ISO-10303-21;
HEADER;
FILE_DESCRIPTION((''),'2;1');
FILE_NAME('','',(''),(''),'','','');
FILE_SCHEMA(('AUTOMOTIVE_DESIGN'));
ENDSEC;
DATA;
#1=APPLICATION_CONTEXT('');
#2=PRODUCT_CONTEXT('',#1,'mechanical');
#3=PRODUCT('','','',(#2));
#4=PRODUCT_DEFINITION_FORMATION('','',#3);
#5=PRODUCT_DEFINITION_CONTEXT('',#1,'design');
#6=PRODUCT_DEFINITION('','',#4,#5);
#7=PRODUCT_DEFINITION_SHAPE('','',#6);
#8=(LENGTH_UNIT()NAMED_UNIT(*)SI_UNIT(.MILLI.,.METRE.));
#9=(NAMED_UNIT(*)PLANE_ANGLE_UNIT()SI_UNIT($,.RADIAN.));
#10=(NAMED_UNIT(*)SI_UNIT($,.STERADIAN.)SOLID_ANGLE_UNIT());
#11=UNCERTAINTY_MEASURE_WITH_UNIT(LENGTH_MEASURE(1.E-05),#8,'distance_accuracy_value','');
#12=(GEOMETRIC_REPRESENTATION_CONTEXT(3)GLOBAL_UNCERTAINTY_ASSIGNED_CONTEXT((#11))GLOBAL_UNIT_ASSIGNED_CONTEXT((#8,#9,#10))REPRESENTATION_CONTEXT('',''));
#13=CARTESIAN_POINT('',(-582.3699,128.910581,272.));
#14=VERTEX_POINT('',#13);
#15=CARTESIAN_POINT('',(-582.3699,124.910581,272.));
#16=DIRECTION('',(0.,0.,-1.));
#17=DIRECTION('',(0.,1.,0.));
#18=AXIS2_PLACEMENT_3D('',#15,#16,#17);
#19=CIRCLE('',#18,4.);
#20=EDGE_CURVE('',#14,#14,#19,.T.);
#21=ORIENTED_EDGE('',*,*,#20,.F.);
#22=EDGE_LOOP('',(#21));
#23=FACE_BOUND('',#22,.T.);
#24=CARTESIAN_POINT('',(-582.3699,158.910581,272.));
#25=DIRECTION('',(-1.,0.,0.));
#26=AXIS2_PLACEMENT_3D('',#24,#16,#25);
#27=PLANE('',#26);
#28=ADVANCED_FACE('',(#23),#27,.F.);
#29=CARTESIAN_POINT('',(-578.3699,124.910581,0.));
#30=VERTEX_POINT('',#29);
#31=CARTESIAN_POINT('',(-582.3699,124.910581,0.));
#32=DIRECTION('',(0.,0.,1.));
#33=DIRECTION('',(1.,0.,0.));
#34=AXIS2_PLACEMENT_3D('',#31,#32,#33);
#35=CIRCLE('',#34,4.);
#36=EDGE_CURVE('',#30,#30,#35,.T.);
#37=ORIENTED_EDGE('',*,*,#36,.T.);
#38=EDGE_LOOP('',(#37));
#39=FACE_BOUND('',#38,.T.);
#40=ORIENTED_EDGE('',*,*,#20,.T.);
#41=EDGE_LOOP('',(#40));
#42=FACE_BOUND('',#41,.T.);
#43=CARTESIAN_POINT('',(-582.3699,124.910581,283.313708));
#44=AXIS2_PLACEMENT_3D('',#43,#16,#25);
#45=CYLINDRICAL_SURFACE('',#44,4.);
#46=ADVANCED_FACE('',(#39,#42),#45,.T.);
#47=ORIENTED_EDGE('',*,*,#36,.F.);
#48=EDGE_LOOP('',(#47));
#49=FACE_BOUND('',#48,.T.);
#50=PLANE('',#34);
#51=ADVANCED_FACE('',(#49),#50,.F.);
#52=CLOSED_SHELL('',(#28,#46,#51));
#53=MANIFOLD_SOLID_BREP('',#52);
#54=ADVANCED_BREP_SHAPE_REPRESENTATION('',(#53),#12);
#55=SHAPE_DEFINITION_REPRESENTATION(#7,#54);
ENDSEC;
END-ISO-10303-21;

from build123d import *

# Parameters (mm, degrees)
SKETCH1_R           = 4
BOSS_EXTRUDE1_DEPTH = 272


with BuildPart() as part:
    # Sketch1 → Boss-Extrude1 (new body)
    with BuildSketch(Plane.XY):
        with Locations((-582.369900344, 124.910580717)):
            Circle(SKETCH1_R)
    extrude(amount=BOSS_EXTRUDE1_DEPTH)


solid = part.part
